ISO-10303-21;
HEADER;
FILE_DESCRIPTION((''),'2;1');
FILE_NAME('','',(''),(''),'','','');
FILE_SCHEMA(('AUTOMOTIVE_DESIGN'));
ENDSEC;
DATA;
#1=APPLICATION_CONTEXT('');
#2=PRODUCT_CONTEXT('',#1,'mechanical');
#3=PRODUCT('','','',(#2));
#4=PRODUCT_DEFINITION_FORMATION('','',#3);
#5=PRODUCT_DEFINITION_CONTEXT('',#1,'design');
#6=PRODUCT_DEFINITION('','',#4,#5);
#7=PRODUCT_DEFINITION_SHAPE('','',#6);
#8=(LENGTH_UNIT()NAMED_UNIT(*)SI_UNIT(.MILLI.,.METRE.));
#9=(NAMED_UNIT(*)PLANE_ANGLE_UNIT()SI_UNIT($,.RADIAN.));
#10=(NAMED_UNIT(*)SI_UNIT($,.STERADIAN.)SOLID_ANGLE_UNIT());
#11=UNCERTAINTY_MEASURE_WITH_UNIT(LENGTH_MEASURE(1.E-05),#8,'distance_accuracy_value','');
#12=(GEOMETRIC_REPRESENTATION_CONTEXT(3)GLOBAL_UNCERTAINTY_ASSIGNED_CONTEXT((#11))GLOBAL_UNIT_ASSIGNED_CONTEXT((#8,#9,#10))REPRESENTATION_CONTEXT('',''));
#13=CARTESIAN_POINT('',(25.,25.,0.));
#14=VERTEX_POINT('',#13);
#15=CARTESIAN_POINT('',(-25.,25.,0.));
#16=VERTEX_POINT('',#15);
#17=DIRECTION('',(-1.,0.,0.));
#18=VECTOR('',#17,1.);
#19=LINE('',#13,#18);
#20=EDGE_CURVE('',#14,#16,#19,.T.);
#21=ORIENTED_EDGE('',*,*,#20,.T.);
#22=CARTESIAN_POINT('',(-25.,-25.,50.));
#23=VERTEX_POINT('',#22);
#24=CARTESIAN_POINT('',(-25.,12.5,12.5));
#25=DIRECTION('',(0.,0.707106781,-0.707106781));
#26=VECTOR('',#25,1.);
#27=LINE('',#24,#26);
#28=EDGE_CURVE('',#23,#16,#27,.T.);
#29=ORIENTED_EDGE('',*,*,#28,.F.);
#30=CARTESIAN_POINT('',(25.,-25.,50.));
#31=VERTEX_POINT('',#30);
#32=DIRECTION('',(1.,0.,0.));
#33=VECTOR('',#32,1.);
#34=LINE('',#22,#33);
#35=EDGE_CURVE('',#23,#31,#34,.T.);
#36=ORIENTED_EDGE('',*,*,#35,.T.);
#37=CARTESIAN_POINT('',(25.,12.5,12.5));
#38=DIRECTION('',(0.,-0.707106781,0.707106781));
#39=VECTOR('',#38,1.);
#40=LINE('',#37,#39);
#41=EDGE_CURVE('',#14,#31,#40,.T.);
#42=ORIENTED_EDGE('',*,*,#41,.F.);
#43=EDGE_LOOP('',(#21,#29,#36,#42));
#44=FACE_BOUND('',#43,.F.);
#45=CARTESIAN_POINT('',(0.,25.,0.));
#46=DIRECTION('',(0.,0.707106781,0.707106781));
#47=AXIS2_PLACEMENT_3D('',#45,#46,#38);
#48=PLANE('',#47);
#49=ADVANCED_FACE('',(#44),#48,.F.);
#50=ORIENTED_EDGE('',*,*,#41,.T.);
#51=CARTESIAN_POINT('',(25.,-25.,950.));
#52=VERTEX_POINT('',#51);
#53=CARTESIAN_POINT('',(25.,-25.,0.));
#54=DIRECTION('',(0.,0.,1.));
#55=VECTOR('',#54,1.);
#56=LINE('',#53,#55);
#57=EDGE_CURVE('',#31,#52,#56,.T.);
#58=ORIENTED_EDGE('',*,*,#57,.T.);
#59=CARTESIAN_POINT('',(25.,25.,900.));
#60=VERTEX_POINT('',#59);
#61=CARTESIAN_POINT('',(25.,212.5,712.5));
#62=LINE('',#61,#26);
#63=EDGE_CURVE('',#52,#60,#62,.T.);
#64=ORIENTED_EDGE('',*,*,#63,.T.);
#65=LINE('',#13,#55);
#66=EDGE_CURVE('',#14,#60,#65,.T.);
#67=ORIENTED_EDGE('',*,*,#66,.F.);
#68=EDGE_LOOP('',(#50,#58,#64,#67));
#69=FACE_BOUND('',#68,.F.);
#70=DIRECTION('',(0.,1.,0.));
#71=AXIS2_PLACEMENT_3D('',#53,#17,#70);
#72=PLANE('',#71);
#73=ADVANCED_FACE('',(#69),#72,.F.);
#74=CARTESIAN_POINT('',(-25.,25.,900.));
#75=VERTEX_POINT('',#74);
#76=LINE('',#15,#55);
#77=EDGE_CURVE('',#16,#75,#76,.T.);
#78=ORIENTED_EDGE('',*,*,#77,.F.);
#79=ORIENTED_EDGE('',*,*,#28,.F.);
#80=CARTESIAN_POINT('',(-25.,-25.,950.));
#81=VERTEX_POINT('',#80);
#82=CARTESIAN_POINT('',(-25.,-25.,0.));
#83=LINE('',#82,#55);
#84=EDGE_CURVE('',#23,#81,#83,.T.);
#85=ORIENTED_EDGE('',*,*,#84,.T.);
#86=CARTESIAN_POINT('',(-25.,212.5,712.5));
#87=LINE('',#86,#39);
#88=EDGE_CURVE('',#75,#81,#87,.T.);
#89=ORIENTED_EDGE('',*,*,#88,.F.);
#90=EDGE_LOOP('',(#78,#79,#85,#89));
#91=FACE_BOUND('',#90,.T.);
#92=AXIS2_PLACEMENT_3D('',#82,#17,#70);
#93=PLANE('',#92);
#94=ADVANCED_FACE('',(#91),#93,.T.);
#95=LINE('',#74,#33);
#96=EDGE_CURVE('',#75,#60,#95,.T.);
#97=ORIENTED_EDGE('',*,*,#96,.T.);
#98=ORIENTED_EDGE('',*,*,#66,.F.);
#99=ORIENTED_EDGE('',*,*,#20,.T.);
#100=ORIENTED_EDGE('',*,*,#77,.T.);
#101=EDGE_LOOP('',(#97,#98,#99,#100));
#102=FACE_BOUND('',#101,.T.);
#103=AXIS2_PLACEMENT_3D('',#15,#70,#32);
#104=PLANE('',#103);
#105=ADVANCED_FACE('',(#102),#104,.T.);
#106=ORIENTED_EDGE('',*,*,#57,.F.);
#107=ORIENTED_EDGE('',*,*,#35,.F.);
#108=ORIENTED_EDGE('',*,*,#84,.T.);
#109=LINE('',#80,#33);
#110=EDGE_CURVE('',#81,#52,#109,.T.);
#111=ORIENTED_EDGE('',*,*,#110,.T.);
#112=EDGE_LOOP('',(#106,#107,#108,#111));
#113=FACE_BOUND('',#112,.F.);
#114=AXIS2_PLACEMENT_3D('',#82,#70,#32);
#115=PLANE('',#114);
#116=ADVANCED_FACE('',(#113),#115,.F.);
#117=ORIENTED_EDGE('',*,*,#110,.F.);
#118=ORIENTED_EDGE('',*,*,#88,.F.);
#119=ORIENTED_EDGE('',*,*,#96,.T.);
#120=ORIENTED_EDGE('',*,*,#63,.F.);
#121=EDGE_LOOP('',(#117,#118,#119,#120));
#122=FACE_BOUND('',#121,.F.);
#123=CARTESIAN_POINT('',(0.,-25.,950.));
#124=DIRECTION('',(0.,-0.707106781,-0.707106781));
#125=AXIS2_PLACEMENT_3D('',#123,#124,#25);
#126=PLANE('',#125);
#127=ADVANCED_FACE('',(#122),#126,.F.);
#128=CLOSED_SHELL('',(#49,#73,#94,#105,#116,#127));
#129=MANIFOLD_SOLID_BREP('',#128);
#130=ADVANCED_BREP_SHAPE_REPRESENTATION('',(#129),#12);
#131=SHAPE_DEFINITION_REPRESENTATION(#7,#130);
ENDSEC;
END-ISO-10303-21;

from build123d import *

# Parameters (mm, degrees)
F0_W          = 50
F0_H          = 50
F1_DEPTH      = 950
F3_DEPTH      = 25.001
F3_DEPTH_BACK = 25.001
F5_DEPTH      = 25.001
F5_DEPTH_BACK = 25.001


with BuildPart() as f1:
    # F0 (on Top) → F1 (new body)
    with BuildSketch(Plane.XY):
        Rectangle(F0_W, F0_H)
    extrude(amount=F1_DEPTH)

    # F2 (on Right) → F3 (cut, two sides)
    with BuildSketch(Plane.YZ) as f3_sk:
        Polygon((135.3058686236, 950), (-25, 950), (135.3058686236, 789.6941313764), align=None)
    extrude(amount=-F3_DEPTH, mode=Mode.SUBTRACT)
    extrude(f3_sk.sketch, amount=F3_DEPTH_BACK, mode=Mode.SUBTRACT)

    # F4 (on Right) → F5 (cut, two sides)
    with BuildSketch(Plane.YZ) as f5_sk:
        Polygon((-25, 0), (25, 0), (-25, 50), align=None)
    extrude(amount=-F5_DEPTH, mode=Mode.SUBTRACT)
    extrude(f5_sk.sketch, amount=F5_DEPTH_BACK, mode=Mode.SUBTRACT)


solid = f1.part
